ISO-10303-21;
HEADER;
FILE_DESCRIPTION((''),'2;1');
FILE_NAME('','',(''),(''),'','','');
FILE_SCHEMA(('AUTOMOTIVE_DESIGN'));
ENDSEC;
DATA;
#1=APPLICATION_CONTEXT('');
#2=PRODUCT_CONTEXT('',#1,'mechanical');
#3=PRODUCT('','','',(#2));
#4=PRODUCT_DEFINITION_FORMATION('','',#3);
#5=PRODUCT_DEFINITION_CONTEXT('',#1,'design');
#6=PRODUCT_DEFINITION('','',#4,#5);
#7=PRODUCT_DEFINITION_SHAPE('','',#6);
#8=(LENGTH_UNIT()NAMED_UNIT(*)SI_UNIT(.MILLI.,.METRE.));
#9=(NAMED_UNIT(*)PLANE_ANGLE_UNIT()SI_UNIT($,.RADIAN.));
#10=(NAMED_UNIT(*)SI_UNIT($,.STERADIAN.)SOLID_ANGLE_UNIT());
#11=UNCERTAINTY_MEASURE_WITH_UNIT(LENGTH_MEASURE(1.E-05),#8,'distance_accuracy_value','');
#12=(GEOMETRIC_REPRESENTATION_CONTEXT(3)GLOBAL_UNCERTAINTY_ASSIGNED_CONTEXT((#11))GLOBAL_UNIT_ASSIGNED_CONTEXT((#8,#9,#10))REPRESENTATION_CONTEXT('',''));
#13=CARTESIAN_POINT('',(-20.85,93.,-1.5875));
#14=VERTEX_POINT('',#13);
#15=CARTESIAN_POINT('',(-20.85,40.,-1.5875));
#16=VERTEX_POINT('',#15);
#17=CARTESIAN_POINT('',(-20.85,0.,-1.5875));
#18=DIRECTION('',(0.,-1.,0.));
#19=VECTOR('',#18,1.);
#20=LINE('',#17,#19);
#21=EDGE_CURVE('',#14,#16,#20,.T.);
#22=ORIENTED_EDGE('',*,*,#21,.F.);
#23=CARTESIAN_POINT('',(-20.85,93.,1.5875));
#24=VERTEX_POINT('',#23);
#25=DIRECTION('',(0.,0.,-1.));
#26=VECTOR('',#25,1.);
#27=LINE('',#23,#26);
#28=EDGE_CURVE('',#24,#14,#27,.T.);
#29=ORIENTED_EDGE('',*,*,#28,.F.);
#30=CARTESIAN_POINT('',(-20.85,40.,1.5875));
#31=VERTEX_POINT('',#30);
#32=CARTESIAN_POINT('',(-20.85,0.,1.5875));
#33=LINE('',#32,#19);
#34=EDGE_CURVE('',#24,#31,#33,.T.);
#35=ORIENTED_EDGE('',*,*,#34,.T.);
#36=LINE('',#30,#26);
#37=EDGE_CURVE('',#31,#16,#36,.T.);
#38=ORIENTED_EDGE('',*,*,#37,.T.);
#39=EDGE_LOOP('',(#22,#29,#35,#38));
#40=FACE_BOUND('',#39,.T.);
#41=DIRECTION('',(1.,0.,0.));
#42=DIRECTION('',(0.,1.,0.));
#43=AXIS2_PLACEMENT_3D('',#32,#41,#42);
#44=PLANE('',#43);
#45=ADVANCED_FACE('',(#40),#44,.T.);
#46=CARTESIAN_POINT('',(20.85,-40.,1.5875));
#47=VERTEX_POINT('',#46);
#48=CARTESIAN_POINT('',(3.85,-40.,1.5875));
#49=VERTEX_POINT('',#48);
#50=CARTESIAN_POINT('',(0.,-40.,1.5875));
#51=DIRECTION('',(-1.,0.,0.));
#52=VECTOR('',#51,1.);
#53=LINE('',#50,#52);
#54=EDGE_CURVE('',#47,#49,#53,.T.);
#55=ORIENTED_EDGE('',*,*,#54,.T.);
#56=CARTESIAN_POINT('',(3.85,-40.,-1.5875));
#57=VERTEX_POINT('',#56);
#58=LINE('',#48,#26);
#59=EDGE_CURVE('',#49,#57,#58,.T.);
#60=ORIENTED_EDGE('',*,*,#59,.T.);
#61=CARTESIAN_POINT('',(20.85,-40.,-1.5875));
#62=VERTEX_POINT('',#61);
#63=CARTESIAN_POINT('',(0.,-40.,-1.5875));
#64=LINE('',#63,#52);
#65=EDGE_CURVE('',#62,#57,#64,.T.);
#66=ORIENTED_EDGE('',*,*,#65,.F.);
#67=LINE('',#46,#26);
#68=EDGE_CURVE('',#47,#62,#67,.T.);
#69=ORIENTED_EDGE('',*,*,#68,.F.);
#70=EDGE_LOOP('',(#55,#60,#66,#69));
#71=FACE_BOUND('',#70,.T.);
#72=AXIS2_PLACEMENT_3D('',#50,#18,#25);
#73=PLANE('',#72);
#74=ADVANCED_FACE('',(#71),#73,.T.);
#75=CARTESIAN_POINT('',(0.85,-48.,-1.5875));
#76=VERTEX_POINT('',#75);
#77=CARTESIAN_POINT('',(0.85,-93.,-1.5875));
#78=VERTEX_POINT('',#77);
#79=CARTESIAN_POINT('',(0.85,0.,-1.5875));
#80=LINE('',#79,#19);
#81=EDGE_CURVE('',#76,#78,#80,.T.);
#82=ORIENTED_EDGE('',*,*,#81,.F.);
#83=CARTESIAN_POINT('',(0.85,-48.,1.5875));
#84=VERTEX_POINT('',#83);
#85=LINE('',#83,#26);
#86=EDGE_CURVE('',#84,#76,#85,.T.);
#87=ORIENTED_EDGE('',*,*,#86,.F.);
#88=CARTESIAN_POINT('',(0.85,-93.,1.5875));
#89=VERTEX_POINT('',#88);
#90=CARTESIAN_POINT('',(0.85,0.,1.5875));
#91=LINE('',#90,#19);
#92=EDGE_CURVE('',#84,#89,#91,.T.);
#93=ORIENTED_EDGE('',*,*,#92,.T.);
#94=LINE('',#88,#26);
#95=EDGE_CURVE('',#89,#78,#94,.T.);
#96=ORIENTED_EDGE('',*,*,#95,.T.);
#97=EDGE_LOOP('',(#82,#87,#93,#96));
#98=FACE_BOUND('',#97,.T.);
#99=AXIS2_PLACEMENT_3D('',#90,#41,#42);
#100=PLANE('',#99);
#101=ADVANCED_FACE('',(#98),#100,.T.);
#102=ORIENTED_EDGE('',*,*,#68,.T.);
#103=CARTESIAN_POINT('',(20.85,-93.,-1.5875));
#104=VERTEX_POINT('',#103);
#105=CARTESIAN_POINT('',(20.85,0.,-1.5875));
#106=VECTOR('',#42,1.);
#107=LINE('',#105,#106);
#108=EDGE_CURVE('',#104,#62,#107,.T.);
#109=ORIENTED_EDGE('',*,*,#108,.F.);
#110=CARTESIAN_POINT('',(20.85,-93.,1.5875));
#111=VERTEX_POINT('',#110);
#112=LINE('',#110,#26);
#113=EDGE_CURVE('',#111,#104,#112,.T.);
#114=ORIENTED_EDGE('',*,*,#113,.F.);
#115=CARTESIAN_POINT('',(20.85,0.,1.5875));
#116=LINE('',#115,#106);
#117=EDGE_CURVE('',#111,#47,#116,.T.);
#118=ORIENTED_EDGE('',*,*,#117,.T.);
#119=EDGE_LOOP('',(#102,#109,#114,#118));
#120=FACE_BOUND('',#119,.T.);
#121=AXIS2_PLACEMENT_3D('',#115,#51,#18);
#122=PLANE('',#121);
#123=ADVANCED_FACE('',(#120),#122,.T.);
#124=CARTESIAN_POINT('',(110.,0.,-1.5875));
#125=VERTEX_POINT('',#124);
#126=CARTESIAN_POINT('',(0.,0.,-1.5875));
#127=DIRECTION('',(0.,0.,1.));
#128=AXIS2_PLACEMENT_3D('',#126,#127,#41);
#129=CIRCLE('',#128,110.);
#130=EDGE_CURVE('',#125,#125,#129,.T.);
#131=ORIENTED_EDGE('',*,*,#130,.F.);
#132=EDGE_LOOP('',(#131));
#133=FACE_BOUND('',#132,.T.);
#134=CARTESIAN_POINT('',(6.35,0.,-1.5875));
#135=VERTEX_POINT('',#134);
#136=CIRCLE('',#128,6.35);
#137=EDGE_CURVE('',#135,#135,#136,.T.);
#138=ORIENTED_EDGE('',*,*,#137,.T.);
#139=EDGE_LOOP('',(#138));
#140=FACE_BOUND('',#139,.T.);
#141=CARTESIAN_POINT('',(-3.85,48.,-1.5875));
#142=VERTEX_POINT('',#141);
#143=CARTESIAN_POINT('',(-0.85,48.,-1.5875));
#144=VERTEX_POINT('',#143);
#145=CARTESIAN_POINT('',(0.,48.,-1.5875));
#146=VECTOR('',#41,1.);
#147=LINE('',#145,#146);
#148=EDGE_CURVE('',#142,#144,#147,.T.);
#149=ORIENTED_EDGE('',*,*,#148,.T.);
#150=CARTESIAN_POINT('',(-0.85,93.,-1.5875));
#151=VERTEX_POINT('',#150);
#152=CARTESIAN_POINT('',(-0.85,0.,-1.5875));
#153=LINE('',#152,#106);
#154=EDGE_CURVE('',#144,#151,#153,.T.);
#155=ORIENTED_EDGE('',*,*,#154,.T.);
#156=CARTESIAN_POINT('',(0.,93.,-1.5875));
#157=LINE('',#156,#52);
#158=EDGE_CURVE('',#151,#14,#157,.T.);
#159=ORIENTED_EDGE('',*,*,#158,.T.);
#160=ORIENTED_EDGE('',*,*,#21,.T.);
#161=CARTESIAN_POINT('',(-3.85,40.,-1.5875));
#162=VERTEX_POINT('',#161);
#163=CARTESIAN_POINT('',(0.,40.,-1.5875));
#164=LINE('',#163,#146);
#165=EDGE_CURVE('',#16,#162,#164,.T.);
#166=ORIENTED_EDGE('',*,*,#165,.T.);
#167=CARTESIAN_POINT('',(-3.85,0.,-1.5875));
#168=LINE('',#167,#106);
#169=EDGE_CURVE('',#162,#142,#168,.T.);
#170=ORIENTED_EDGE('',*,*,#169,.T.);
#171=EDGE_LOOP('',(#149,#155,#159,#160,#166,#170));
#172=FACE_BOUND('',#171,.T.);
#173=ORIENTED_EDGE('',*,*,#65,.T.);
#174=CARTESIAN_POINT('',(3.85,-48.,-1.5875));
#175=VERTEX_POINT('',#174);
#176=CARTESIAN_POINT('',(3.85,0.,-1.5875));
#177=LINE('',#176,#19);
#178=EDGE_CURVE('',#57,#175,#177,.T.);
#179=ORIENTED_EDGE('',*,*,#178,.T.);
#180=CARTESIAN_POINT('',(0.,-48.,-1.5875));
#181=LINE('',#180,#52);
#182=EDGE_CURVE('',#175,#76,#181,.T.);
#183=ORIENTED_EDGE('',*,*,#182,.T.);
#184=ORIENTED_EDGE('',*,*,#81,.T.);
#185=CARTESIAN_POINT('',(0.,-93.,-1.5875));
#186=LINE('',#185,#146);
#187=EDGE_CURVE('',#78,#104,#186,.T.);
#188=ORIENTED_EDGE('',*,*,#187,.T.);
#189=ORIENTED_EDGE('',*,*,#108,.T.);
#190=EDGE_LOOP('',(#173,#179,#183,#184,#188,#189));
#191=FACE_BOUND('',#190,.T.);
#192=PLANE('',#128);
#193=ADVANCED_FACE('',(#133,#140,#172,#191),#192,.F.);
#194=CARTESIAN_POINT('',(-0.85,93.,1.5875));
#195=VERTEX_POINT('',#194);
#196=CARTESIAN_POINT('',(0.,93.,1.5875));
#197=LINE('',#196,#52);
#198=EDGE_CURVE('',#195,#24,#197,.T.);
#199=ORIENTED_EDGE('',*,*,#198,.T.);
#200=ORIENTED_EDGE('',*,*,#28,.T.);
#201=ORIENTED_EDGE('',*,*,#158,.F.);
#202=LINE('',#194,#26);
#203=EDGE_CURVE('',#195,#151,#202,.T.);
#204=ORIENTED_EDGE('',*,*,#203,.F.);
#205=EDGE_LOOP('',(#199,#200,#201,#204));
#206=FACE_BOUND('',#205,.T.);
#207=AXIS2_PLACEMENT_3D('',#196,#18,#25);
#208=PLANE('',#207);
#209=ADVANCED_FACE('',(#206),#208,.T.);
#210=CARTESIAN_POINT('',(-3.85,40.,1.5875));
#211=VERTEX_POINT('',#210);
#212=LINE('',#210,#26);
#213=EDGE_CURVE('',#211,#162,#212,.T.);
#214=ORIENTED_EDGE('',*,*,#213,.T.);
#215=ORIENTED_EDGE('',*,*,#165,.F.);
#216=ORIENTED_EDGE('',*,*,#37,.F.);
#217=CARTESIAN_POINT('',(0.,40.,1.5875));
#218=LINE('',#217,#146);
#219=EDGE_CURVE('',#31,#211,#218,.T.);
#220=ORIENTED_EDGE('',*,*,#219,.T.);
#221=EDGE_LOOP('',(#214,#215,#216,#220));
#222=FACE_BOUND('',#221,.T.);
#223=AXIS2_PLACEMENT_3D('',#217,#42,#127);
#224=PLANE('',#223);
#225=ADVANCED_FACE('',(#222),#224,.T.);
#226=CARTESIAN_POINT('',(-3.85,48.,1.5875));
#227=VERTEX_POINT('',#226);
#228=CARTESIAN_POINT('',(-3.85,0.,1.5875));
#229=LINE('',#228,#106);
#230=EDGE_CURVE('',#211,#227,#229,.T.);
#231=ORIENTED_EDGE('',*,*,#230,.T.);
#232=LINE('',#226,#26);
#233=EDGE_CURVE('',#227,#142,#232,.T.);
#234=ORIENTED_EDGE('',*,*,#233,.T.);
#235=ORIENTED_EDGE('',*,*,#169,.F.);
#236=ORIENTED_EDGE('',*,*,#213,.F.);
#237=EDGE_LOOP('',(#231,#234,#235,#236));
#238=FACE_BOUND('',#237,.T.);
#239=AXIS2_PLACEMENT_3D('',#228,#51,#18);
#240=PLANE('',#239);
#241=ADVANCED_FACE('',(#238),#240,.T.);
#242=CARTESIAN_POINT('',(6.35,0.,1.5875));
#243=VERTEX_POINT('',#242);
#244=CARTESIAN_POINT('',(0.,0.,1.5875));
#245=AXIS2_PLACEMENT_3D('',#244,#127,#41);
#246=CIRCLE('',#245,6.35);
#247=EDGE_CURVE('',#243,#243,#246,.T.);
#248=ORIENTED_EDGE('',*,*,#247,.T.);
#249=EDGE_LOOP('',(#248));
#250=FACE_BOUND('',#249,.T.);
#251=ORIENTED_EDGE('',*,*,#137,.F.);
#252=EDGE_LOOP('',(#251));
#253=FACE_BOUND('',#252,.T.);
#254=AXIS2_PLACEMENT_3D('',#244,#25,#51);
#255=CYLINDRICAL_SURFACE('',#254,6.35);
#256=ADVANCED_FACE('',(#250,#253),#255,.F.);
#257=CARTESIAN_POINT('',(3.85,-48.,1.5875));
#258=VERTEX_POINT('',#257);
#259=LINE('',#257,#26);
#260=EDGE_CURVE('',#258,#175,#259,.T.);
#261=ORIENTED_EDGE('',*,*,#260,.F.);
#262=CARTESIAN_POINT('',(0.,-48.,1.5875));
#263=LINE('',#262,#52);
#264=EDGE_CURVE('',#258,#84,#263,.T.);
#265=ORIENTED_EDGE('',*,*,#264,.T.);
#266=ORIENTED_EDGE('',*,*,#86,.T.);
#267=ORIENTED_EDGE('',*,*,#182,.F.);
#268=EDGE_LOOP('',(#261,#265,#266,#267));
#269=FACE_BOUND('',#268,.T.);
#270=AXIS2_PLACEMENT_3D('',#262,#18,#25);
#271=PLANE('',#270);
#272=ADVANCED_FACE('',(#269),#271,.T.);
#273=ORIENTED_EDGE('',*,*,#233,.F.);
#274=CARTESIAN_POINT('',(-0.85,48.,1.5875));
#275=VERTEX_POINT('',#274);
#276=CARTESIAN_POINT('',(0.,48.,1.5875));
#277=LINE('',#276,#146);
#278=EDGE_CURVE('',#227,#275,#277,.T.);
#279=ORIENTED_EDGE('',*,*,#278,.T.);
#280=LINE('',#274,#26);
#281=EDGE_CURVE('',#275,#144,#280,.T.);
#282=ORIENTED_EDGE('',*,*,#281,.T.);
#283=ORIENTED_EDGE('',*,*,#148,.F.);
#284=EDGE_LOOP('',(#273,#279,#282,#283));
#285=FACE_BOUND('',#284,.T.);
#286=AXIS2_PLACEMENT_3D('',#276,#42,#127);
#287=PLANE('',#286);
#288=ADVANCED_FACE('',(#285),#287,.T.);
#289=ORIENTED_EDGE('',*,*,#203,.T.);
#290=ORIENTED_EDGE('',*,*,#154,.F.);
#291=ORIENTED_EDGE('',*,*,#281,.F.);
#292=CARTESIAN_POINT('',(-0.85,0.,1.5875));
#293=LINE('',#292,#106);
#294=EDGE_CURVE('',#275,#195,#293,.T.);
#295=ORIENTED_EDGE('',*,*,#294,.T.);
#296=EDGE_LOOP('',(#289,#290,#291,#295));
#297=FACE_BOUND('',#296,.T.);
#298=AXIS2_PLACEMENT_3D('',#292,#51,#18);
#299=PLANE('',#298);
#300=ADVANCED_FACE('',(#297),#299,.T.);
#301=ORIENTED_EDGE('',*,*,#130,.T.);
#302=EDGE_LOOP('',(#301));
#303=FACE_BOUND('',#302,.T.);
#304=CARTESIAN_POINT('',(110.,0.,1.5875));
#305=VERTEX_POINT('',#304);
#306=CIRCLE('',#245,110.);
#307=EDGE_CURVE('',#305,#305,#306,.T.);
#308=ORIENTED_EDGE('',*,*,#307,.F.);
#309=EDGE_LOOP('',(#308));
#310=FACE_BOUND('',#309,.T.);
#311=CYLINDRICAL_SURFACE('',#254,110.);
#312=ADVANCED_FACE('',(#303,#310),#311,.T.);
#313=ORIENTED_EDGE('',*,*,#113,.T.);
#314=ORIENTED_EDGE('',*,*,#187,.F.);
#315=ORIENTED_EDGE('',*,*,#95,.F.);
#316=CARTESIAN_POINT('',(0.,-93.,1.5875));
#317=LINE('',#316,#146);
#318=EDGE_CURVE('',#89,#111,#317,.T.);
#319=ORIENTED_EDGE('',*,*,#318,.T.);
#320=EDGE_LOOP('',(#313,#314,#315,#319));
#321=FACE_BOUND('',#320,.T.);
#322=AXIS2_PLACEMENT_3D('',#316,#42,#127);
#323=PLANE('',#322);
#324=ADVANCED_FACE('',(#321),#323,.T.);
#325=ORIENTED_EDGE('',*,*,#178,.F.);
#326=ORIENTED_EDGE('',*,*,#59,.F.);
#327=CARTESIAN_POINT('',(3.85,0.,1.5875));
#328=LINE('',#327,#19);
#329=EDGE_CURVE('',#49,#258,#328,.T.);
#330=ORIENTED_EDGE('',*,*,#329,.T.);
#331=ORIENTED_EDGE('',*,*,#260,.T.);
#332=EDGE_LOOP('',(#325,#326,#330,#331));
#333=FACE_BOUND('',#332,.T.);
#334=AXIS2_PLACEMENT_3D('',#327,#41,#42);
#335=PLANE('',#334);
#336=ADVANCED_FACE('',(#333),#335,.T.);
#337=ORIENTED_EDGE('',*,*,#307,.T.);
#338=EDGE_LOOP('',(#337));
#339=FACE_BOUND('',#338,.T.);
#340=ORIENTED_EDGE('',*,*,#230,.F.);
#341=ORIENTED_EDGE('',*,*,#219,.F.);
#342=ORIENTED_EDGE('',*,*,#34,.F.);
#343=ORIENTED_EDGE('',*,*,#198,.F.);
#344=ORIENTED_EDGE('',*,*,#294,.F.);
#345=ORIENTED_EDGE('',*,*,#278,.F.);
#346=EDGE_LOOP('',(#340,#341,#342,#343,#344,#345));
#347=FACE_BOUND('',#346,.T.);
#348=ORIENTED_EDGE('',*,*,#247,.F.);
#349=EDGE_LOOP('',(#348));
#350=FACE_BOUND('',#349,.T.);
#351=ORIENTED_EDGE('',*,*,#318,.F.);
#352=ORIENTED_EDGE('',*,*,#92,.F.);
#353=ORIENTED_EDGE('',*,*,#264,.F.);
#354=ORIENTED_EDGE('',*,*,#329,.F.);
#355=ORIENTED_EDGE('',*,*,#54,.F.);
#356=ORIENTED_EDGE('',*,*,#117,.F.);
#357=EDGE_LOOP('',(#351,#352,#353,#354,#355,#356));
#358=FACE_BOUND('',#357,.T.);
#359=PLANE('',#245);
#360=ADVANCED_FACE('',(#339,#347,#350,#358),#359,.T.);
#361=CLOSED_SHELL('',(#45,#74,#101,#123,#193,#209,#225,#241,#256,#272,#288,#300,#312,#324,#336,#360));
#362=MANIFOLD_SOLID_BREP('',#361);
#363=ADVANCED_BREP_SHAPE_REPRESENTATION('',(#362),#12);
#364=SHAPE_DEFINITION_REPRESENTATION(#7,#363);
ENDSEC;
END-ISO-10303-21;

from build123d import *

# Parameters (mm, degrees)
SKETCH1_R           = 110
SKETCH1_R_2         = 6.35
BOSS_EXTRUDE1_DEPTH = 1.5875


with BuildPart() as part:
    # Sketch1 → Boss-Extrude1 (new body, symmetric)
    with BuildSketch(Plane.XY):
        Circle(SKETCH1_R)
        Circle(SKETCH1_R_2, mode=Mode.SUBTRACT)
        Polygon((-6.35, 40), (-3.85, 40), (-3.85, 48), (-0.85, 48), (-0.85, 93), (-20.85, 93), (-20.85, 40), (-18.35, 40), align=None, mode=Mode.SUBTRACT)
        Polygon((6.35, -40), (3.85, -40), (3.85, -48), (0.85, -48), (0.85, -93), (20.85, -93), (20.85, -40), (18.35, -40), align=None, mode=Mode.SUBTRACT)
    extrude(amount=BOSS_EXTRUDE1_DEPTH, both=True)


solid = part.part
